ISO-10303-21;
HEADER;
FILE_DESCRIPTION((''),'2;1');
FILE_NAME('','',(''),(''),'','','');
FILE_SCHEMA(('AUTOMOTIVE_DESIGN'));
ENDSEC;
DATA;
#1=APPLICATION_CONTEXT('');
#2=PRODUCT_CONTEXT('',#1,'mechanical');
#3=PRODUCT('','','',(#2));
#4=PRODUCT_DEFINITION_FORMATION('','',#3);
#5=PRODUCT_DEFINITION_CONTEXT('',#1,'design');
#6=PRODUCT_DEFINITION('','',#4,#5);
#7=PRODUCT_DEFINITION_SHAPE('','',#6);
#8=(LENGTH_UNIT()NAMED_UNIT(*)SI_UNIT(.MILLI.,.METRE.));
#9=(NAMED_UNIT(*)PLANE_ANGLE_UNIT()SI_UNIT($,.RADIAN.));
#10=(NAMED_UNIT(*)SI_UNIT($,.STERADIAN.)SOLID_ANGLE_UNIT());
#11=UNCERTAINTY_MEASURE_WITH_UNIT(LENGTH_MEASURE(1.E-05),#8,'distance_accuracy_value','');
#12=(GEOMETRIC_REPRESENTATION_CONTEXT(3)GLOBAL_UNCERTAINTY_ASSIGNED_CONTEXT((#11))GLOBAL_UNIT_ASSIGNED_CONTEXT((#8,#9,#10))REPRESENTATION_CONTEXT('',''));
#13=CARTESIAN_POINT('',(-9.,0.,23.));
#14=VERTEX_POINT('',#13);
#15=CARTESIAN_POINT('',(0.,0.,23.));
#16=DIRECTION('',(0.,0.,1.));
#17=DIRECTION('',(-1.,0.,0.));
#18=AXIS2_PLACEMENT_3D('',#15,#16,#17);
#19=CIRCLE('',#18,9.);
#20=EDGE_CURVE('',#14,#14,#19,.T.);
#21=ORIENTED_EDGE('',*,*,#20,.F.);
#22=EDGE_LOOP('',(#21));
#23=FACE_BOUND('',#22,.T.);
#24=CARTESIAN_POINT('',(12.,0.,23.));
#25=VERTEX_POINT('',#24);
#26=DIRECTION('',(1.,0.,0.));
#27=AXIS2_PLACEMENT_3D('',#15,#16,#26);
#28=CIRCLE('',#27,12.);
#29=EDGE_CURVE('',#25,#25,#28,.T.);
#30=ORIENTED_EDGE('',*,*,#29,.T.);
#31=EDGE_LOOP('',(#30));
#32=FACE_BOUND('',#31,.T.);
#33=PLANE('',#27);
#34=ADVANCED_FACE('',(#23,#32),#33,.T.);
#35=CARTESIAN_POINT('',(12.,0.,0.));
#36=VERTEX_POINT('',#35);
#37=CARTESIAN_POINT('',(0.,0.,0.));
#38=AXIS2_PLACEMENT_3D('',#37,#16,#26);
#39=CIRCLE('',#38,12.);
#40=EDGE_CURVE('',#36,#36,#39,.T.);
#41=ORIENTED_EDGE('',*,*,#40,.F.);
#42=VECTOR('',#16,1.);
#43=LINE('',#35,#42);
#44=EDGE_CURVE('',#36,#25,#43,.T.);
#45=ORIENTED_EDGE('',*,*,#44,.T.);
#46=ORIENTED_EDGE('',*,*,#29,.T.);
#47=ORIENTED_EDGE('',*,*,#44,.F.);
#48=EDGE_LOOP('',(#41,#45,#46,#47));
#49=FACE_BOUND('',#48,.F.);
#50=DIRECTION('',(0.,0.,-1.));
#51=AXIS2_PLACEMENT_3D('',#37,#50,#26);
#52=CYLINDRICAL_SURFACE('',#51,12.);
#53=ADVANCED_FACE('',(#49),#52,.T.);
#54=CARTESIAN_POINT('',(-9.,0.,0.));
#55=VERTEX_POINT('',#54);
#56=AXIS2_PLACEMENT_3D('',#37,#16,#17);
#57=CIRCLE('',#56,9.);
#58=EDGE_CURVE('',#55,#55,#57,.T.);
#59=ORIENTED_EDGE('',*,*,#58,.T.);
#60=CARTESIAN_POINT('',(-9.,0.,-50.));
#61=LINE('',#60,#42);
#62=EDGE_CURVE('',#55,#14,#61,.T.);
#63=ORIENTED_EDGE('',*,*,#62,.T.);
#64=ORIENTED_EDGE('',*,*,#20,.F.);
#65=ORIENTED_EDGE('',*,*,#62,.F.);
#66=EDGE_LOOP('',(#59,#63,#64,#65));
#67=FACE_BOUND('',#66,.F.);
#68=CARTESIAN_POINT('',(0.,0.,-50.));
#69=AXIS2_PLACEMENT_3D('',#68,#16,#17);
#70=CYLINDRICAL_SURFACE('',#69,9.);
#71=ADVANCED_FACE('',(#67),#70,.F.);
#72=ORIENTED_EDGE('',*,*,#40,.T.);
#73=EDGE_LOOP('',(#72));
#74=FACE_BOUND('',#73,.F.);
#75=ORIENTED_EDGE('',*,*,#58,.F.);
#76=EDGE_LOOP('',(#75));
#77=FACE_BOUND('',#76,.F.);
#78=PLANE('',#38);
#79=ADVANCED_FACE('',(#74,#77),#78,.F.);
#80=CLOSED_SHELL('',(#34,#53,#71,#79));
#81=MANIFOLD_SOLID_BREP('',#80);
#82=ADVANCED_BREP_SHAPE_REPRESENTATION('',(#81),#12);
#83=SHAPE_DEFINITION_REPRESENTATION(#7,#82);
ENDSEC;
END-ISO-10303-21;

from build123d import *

# Parameters (mm, degrees)
F0_R     = 12
F1_DEPTH = 23
F3_D     = 18
F3_DEPTH = 50


with BuildPart() as f1:
    # F0 (on Top) → F1 (new body)
    with BuildSketch(Plane.XY):
        Circle(F0_R)
    extrude(amount=F1_DEPTH)

    # F3
    with Locations(Plane(origin=(0, 0, 0), x_dir=(1, 0, 0), z_dir=(0, 0, -1))):
        with Locations((0, 0)):
            Hole(F3_D / 2, depth=F3_DEPTH)


solid = f1.part
